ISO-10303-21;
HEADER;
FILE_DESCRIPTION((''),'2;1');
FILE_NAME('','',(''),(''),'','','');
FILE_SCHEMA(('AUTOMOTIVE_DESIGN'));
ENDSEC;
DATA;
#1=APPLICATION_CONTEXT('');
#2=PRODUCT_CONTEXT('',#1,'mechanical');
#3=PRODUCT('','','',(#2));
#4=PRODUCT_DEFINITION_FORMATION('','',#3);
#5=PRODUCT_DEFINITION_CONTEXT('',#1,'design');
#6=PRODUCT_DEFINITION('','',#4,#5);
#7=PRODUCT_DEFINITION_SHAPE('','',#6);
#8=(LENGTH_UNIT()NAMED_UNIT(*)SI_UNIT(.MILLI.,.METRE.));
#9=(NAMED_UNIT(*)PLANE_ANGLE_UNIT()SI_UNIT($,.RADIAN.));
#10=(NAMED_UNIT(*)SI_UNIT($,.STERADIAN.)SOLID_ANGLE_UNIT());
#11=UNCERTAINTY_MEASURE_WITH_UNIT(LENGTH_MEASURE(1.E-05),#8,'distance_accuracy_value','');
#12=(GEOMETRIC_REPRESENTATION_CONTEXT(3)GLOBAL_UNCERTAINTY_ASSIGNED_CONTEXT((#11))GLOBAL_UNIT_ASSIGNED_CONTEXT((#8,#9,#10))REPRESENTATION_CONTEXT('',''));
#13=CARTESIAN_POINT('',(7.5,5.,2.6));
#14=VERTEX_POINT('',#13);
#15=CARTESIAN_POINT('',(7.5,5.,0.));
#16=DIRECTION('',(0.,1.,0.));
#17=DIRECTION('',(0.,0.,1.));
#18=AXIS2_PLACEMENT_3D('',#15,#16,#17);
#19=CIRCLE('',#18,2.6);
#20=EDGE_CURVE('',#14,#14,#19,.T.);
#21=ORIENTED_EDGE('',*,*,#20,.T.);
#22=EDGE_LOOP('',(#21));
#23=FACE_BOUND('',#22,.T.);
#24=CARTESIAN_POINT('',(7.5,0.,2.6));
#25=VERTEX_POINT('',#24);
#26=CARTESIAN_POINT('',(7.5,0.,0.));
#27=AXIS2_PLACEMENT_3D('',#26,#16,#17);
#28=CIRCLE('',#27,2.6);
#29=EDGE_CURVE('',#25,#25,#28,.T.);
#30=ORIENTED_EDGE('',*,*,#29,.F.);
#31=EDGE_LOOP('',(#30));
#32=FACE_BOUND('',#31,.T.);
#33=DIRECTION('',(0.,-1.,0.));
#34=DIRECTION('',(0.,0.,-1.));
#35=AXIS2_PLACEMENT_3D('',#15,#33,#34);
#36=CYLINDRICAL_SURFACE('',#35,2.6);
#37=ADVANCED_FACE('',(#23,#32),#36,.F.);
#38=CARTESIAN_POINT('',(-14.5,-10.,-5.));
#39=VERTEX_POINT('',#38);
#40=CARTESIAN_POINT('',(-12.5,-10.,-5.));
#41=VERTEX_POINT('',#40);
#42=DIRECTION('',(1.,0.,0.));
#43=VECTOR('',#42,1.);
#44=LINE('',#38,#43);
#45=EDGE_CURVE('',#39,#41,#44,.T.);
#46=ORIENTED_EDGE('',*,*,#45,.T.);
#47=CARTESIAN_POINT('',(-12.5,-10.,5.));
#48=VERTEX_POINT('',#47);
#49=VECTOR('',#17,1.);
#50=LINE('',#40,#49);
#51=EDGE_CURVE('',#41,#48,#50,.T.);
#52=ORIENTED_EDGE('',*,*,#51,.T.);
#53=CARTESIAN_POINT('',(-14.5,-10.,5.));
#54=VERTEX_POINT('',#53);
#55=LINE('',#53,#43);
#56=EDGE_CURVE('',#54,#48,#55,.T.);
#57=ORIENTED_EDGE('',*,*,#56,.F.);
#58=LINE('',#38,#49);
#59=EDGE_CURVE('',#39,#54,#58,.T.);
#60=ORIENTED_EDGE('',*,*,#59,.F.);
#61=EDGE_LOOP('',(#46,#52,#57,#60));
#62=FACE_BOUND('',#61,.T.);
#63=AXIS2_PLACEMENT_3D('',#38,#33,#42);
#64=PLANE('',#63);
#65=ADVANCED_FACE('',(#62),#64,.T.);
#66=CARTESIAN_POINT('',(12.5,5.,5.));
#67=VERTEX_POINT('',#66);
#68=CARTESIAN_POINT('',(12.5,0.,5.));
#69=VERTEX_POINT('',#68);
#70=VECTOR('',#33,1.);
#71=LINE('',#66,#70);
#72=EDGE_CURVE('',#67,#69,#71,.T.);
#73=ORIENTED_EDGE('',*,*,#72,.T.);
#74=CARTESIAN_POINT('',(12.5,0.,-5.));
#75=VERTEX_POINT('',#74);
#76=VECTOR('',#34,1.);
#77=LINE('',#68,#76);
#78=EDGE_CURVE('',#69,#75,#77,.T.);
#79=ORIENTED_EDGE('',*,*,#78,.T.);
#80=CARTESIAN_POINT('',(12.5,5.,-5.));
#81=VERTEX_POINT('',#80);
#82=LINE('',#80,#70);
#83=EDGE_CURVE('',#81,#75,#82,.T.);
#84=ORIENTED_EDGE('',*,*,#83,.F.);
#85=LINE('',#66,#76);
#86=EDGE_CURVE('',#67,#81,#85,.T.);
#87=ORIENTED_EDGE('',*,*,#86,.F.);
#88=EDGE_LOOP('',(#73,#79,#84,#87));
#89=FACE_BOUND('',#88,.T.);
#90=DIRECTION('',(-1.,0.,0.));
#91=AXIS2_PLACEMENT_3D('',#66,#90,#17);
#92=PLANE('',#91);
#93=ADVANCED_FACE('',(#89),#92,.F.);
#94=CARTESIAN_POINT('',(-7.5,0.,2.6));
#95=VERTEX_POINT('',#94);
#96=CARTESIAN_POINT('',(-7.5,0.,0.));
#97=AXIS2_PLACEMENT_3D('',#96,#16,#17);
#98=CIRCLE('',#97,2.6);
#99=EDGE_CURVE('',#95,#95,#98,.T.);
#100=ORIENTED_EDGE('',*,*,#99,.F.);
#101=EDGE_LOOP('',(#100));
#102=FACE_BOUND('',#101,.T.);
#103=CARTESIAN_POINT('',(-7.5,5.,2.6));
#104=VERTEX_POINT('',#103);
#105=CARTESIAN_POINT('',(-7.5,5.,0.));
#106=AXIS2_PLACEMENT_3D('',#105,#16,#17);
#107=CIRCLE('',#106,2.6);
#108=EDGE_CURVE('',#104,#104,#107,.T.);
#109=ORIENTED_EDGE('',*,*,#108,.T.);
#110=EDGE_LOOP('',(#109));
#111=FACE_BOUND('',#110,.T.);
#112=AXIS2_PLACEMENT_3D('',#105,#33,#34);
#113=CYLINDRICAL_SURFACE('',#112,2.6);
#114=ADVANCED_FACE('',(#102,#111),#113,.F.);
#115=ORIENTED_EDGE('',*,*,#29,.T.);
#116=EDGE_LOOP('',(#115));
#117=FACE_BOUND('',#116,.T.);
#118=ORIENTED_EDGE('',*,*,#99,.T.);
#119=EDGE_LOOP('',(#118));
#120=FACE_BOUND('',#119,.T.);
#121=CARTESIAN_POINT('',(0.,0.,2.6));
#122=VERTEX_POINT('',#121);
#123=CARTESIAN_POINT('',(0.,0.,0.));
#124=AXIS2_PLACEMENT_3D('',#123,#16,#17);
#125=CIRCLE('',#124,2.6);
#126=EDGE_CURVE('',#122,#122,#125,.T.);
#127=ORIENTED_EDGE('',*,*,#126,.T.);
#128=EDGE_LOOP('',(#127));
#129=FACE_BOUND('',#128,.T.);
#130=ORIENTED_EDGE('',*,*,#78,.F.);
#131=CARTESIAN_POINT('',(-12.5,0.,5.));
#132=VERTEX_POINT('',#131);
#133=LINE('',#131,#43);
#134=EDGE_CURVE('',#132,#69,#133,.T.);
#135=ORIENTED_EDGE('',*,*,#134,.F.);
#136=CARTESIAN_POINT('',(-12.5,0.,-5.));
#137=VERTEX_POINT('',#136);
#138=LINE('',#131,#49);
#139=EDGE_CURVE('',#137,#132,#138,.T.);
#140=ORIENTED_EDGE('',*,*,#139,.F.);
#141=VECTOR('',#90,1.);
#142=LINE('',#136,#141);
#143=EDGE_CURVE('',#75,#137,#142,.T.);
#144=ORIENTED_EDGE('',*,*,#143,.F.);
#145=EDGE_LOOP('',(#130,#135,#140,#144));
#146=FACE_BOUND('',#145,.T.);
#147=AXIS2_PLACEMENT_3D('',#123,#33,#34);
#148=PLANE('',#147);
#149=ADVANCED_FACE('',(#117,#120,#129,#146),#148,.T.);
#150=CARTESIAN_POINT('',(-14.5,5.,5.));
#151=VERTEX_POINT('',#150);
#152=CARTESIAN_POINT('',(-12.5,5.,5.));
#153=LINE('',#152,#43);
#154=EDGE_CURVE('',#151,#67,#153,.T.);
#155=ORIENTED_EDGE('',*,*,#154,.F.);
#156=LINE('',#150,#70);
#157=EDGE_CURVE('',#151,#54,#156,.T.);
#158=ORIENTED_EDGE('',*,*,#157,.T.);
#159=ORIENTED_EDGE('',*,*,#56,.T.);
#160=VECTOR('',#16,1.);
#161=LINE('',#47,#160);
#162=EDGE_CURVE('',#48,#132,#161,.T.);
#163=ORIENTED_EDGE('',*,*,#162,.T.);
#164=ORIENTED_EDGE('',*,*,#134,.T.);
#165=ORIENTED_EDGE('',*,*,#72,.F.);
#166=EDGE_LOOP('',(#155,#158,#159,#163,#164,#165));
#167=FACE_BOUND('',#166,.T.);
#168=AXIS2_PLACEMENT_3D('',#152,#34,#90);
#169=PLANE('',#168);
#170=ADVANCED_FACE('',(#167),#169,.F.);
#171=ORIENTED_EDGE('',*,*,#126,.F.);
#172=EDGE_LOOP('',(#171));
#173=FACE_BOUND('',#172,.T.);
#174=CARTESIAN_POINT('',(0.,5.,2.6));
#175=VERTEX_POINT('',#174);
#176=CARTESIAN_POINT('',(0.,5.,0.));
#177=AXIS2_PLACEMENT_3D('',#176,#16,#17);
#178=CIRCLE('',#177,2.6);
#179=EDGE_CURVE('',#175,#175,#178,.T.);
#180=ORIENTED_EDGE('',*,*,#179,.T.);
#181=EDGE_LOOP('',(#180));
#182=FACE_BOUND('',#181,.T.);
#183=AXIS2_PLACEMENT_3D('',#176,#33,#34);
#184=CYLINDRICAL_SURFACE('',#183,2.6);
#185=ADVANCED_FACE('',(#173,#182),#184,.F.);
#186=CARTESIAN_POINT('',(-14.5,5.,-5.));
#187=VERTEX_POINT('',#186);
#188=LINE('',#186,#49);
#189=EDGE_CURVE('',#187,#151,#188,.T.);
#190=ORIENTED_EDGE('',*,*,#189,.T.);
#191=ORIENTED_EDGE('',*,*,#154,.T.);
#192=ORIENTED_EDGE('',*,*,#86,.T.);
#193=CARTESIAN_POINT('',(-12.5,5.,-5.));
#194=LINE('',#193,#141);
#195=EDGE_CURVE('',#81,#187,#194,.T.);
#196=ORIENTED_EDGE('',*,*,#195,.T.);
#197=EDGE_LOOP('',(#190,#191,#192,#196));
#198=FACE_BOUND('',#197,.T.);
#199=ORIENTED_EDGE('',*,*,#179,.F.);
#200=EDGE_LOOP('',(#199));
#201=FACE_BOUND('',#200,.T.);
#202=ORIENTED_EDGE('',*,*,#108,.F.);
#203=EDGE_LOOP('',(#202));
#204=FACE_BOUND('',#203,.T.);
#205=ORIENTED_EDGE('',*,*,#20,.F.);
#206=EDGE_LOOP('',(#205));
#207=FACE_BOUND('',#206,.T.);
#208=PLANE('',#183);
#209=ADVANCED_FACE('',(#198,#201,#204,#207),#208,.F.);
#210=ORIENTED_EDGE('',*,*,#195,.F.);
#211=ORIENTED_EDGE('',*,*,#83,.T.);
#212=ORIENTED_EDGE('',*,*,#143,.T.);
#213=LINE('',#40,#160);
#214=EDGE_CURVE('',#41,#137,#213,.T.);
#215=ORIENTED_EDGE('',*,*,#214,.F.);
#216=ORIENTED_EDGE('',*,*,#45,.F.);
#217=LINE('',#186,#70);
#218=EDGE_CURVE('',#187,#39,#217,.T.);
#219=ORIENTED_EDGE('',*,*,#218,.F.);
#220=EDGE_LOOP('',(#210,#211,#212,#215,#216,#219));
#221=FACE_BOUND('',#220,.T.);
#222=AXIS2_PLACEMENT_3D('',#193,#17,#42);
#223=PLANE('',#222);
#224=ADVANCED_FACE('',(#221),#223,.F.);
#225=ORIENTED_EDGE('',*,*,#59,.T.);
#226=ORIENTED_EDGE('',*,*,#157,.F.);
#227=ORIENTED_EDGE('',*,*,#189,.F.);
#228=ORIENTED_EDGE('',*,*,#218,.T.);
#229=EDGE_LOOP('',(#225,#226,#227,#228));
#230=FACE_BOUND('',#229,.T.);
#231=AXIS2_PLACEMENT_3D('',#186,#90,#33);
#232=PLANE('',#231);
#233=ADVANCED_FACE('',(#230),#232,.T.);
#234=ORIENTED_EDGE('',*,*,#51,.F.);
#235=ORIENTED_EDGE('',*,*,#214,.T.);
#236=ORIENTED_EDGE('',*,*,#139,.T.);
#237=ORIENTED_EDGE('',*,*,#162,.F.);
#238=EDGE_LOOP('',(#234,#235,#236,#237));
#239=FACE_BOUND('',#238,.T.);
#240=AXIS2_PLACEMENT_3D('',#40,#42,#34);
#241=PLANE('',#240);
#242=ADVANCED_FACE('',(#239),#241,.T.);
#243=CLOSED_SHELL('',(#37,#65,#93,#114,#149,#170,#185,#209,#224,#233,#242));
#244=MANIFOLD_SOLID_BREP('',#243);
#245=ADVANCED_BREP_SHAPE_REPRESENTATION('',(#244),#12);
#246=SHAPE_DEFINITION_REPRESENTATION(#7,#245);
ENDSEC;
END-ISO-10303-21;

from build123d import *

# Parameters (mm, degrees)
SKETCH1_W           = 25
SKETCH1_H           = 10
SKETCH1_R           = 2.6
BOSS_EXTRUDE1_DEPTH = 5
SKETCH2_W           = 2
SKETCH2_H           = 15
BOSS_EXTRUDE2_DEPTH = 10


with BuildPart() as part:
    # Sketch1 → Boss-Extrude1 (new body)
    with BuildSketch(Plane(origin=(0, 0, 0), x_dir=(1, 0, 0), z_dir=(0, 1, 0))):
        Rectangle(SKETCH1_W, SKETCH1_H)
        with Locations(Location((-7.5, 0, 0), (0, 0, 270))):
            Circle(SKETCH1_R, mode=Mode.SUBTRACT)
        with Locations(Location((0, 0, 0), (0, 0, 270))):
            Circle(SKETCH1_R, mode=Mode.SUBTRACT)
        with Locations(Location((7.5, 0, 0), (0, 0, 270))):
            Circle(SKETCH1_R, mode=Mode.SUBTRACT)
    extrude(amount=BOSS_EXTRUDE1_DEPTH)

    # Sketch2 → Boss-Extrude2 (add)
    with BuildSketch(Plane.XY.offset(5)):
        with Locations((-13.5, -2.5)):
            Rectangle(SKETCH2_W, SKETCH2_H)
    extrude(amount=-BOSS_EXTRUDE2_DEPTH)


solid = part.part
